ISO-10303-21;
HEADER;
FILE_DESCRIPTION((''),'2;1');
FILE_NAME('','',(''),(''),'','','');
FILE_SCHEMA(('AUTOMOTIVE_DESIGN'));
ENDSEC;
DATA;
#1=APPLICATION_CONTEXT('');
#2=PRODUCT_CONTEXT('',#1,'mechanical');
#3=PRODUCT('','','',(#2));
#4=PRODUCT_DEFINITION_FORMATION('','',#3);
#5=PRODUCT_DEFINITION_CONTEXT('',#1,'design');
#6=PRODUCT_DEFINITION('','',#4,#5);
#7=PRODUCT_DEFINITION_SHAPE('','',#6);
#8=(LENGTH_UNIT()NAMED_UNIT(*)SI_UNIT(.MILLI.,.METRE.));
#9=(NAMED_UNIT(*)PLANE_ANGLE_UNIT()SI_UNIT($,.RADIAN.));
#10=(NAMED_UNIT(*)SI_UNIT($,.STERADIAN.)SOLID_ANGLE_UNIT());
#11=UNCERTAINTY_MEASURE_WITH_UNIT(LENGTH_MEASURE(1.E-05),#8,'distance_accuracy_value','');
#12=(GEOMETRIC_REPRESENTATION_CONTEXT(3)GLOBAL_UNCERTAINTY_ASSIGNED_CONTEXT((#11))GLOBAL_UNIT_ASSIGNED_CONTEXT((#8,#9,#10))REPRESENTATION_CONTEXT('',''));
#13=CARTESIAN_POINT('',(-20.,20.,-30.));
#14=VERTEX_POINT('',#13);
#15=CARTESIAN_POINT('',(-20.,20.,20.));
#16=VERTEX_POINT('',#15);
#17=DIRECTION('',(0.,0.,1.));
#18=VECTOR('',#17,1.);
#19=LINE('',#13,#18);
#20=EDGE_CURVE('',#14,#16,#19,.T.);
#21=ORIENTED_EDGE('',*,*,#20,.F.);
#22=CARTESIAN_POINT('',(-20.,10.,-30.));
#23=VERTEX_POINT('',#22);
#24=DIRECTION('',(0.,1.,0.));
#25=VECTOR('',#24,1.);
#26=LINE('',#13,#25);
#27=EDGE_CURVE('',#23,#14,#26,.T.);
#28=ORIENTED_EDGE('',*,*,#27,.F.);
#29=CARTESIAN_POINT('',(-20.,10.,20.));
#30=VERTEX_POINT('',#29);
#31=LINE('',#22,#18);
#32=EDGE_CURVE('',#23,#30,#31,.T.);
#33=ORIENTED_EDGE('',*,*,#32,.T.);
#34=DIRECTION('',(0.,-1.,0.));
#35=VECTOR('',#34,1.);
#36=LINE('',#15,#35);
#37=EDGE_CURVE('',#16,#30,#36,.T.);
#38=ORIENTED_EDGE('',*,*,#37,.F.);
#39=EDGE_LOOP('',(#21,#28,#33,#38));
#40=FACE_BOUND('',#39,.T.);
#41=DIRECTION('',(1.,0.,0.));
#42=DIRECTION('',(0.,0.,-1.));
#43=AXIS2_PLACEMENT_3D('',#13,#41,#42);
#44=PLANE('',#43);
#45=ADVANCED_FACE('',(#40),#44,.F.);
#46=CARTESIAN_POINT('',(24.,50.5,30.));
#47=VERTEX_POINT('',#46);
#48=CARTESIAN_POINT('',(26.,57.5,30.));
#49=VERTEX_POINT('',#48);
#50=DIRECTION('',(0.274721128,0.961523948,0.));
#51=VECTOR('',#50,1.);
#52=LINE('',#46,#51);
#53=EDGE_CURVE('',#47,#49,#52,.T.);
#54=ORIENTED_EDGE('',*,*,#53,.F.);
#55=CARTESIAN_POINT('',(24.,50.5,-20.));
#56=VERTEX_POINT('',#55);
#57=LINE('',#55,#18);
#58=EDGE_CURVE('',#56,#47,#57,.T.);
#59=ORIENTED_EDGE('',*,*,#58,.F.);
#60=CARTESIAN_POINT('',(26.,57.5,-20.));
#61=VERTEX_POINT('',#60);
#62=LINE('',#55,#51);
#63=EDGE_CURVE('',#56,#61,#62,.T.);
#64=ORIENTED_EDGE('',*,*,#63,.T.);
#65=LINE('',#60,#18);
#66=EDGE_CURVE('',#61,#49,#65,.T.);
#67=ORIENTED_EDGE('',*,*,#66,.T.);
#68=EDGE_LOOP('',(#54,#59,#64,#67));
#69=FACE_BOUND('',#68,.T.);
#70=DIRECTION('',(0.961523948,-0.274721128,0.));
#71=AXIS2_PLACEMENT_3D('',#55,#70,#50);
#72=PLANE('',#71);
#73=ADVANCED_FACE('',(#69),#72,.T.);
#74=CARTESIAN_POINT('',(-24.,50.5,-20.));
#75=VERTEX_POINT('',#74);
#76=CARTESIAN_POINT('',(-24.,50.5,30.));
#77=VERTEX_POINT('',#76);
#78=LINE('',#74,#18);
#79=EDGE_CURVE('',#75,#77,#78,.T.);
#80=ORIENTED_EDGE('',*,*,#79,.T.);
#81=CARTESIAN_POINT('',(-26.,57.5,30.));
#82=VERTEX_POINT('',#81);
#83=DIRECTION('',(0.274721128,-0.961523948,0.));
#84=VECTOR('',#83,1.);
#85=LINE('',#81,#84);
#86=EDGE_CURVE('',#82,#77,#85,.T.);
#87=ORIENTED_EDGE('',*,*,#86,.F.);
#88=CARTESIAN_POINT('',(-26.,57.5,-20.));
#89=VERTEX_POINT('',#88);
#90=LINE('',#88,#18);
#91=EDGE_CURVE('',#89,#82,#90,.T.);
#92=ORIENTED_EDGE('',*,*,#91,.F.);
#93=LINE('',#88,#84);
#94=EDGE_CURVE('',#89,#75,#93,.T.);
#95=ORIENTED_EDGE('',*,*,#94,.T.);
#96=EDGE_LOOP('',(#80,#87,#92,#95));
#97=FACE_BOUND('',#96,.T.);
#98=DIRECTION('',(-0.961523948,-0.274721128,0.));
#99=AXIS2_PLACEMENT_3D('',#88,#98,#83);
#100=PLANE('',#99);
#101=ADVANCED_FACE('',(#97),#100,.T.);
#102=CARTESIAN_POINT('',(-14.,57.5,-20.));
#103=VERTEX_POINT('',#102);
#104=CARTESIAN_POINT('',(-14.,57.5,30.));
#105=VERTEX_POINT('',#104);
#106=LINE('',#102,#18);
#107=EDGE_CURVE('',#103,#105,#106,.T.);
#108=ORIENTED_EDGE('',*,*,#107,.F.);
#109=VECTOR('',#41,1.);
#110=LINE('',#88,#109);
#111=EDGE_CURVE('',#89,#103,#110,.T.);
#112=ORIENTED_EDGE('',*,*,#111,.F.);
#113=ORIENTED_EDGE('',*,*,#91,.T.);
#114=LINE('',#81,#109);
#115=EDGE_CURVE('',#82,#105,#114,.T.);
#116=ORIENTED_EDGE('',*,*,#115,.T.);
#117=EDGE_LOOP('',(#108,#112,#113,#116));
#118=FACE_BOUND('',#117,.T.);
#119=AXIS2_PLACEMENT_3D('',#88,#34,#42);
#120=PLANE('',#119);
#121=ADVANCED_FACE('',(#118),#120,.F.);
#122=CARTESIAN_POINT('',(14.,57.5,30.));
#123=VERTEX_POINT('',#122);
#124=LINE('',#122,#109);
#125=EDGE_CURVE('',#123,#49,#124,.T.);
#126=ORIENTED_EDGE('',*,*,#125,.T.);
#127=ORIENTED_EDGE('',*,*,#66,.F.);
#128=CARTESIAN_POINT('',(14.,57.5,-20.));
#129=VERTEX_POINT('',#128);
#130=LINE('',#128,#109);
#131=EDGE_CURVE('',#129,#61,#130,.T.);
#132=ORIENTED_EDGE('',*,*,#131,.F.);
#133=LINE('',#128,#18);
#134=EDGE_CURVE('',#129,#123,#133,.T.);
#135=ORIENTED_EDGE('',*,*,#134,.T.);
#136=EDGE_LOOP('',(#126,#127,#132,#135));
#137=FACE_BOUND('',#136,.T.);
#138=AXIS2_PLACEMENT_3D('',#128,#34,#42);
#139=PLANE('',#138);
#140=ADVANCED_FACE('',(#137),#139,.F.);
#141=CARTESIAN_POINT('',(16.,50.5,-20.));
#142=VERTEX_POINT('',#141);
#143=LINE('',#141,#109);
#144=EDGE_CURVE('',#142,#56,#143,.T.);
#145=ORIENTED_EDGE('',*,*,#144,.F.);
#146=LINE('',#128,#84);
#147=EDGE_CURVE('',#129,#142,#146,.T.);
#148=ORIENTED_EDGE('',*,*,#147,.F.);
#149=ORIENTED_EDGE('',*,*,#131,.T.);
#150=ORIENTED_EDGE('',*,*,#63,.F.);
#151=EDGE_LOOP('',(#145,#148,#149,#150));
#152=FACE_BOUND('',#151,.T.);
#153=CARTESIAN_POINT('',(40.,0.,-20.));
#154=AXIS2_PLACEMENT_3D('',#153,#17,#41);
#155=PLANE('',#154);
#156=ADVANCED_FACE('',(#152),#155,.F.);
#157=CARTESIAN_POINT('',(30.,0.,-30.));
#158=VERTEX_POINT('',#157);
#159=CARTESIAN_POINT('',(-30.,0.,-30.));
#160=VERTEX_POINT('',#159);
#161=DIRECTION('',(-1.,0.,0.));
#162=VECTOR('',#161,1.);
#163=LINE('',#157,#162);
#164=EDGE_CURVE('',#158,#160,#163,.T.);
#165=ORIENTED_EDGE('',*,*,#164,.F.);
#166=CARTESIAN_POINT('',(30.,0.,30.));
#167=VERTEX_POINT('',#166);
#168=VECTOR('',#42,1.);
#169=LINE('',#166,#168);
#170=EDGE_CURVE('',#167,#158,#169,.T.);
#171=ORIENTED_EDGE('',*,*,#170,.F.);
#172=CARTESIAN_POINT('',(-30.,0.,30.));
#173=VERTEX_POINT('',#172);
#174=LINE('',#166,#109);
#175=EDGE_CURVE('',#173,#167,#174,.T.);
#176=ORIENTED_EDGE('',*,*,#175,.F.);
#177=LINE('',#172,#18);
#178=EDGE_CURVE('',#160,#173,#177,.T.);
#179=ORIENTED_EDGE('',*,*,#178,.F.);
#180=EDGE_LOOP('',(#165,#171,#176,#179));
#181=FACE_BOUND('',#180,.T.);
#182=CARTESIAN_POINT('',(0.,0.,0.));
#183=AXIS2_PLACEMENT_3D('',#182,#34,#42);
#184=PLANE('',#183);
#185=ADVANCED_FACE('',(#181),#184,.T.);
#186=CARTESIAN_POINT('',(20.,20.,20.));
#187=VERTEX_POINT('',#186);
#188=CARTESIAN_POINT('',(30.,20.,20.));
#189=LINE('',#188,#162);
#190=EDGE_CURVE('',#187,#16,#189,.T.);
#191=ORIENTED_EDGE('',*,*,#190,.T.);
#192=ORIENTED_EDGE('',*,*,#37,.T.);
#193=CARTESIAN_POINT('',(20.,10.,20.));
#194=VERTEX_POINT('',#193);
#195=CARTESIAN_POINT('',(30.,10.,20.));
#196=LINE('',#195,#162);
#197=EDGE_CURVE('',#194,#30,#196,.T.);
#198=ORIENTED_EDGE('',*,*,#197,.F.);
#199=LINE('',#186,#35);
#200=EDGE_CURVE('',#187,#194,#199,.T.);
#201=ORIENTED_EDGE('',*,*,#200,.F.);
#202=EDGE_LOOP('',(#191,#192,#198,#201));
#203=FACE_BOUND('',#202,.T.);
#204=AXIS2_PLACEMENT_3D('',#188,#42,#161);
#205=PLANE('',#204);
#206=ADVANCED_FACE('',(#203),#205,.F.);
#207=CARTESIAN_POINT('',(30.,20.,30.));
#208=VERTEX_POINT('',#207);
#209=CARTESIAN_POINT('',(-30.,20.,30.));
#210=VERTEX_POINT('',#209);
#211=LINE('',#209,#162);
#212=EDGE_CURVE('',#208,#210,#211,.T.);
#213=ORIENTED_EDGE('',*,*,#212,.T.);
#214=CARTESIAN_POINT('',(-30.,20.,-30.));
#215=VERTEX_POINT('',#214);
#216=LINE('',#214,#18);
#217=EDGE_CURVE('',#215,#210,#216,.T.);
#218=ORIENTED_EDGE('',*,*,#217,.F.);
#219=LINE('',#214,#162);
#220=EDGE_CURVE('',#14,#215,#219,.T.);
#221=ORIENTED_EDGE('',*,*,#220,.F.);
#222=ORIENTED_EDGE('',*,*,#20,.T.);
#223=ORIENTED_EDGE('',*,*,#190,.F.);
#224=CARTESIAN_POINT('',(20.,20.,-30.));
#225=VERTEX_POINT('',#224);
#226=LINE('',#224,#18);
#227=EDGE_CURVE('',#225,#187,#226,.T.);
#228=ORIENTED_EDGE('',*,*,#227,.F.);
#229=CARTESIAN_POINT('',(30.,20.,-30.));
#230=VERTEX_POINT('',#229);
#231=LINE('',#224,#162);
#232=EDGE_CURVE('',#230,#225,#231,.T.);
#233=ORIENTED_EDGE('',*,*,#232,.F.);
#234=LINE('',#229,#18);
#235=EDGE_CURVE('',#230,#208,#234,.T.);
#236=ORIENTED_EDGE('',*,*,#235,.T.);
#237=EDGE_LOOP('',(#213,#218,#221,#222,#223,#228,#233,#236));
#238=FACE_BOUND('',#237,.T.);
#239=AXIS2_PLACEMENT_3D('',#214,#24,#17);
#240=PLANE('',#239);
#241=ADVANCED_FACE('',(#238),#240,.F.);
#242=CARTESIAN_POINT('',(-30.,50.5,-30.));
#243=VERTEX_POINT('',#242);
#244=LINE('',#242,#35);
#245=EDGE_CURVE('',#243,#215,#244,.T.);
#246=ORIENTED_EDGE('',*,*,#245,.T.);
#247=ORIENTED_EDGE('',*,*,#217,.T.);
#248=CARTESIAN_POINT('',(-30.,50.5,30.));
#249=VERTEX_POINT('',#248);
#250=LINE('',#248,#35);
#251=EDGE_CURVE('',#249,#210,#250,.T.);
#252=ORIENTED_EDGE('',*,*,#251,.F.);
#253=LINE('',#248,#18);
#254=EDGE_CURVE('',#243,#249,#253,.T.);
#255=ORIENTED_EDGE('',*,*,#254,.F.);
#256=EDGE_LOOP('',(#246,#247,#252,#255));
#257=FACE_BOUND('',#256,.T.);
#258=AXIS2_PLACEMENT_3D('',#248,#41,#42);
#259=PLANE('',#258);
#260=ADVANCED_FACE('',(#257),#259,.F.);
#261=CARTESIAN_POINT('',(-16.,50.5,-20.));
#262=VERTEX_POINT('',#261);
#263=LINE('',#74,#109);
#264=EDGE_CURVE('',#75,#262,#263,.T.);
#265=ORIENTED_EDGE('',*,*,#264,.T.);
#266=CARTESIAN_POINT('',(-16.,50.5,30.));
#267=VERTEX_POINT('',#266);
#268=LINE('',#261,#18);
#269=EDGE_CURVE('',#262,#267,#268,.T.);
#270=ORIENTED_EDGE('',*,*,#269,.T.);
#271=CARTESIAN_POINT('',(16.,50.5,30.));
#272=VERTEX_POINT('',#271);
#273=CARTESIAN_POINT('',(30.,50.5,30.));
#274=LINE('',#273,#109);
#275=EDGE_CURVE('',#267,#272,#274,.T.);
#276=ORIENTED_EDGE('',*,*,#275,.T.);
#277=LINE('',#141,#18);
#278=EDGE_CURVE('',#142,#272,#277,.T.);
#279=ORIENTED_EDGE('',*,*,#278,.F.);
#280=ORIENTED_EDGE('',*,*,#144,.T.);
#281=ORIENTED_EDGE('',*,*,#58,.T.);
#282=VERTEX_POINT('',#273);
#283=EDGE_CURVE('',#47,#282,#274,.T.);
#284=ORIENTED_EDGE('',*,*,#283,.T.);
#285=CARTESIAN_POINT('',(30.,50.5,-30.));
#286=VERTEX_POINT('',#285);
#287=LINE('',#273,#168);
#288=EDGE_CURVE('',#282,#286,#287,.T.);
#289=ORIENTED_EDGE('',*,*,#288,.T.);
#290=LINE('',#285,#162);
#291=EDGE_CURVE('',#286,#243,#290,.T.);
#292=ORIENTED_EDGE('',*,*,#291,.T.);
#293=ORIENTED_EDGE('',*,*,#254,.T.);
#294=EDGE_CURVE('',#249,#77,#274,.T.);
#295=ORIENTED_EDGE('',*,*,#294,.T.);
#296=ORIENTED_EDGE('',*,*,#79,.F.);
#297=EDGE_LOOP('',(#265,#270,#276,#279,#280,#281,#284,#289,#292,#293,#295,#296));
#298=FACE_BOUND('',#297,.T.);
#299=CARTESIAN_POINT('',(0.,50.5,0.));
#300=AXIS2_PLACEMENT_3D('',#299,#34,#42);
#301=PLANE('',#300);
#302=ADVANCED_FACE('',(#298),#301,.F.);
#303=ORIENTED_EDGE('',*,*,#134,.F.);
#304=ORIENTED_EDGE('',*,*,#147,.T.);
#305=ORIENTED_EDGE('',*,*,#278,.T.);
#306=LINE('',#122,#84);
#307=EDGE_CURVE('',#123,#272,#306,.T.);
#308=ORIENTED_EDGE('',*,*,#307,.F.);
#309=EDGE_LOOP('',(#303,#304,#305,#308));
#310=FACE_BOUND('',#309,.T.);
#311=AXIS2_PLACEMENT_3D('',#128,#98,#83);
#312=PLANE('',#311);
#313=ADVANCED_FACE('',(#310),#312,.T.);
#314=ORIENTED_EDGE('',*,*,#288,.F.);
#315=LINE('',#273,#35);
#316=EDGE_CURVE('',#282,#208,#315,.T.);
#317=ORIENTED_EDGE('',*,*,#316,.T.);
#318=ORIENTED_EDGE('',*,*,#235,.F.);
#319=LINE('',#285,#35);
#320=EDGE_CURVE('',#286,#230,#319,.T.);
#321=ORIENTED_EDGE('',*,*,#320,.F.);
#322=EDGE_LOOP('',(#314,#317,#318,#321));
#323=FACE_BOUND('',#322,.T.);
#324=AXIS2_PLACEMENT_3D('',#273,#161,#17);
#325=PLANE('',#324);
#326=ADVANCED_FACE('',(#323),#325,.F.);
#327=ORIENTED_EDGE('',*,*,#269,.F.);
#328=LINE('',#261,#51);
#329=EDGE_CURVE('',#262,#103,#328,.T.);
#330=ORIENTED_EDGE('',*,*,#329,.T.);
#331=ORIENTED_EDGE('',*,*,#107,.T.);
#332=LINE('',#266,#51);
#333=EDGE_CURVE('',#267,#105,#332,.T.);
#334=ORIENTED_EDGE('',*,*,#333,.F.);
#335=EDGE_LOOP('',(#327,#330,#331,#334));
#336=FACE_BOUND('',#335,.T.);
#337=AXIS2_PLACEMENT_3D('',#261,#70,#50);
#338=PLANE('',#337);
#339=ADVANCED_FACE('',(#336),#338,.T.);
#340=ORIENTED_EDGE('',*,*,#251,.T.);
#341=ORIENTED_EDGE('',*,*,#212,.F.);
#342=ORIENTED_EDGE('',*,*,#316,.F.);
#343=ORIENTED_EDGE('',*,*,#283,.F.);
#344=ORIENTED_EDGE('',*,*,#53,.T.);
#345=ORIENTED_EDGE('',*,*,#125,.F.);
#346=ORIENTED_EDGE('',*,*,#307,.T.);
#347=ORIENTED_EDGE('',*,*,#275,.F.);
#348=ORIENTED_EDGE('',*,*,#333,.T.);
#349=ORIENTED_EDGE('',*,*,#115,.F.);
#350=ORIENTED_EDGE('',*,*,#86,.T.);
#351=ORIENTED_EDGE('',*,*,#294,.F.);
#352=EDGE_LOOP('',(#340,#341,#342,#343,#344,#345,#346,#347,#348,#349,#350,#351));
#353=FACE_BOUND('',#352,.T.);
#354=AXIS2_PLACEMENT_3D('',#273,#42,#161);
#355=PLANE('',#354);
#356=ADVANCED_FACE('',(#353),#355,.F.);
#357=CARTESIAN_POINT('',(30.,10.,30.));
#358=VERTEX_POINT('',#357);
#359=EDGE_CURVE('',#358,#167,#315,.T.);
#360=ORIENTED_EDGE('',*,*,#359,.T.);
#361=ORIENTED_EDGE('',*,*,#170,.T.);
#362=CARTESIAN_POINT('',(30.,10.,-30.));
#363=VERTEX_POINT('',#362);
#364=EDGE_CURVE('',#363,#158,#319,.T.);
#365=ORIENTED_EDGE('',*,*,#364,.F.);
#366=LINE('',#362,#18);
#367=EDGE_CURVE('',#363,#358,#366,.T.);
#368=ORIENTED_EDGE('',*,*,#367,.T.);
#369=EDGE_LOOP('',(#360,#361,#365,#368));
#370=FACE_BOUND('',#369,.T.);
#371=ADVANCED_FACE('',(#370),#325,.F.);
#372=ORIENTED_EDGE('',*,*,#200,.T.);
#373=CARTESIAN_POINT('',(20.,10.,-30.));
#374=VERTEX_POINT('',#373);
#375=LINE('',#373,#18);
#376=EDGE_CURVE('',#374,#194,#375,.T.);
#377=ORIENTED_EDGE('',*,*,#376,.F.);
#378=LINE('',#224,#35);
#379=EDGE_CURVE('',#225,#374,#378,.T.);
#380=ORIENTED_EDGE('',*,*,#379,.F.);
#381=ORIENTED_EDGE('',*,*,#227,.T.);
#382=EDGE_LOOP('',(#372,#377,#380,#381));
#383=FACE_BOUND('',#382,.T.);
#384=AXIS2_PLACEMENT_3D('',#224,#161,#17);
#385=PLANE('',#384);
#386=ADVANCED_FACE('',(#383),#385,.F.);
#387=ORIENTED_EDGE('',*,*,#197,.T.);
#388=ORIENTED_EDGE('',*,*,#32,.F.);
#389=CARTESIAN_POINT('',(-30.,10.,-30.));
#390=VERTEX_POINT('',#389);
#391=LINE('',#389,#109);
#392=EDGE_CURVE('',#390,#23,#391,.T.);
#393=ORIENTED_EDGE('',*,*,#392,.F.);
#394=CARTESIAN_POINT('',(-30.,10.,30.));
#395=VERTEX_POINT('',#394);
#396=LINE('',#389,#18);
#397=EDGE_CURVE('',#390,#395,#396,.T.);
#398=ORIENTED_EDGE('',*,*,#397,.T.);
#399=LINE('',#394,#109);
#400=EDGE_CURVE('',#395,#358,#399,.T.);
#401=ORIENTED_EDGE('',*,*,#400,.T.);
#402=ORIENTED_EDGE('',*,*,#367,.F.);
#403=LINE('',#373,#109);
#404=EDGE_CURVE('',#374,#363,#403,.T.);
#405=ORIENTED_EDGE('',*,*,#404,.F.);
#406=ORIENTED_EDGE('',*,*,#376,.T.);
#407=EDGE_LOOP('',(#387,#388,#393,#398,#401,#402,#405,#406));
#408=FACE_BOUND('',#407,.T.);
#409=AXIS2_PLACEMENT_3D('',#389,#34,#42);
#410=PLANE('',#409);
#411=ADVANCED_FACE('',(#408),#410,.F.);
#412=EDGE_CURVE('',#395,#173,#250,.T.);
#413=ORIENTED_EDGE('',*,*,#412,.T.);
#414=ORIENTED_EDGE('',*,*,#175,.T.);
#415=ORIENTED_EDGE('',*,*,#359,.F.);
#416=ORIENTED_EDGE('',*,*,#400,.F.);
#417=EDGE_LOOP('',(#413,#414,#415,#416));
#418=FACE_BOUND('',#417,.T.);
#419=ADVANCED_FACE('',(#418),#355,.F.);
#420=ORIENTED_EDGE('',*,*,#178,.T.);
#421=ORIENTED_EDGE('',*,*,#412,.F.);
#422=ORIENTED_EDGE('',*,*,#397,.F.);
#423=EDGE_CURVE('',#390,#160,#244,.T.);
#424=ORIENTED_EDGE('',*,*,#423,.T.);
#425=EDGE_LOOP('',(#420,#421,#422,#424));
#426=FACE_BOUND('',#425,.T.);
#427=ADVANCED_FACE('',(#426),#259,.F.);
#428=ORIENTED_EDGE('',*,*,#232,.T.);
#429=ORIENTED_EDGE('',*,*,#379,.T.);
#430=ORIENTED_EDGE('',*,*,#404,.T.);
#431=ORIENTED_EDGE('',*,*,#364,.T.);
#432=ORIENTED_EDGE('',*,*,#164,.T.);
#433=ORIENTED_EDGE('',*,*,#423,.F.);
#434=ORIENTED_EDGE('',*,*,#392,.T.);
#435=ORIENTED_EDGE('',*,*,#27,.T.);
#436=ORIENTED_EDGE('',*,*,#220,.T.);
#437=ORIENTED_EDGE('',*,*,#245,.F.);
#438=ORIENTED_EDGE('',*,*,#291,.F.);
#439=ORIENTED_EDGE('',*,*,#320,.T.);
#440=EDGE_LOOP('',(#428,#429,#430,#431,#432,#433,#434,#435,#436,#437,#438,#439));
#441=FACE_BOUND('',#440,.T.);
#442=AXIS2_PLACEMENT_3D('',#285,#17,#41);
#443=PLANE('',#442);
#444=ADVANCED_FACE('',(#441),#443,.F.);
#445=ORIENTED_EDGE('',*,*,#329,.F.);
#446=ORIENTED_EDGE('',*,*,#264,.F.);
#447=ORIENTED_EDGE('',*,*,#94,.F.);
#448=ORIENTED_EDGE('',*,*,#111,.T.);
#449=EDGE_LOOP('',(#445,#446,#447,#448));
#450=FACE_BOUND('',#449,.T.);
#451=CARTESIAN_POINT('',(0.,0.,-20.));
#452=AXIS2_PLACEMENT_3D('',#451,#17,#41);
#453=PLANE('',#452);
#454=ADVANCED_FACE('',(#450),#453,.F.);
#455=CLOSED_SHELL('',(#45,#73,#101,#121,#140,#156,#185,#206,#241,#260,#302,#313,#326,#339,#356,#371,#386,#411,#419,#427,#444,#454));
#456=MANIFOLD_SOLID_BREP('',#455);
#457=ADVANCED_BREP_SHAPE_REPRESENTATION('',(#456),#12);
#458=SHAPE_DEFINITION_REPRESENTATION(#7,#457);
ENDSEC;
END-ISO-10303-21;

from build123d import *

# Parameters (mm, degrees)
CROQUIS2_W              = 60
CROQUIS2_H              = 60
SALIENTE_EXTRUIR1_DEPTH = 50.5
SALIENTE_EXTRUIR3_DEPTH = 50
MATRIZL2_COUNT          = 2
MATRIZL2_PITCH          = 40
CROQUIS5_W              = 10
CROQUIS5_H              = 10
CORTAR_EXTRUIR1_DEPTH   = 89.352985235
MATRIZL3_COUNT          = 2
MATRIZL3_PITCH          = 50
MATRIZC1_COUNT          = 2
MATRIZC1_ANGLE          = 90


with BuildPart() as part:
    # Croquis2 → Saliente-Extruir1 (new body)
    with BuildSketch(Plane(origin=(0, 0, 0), x_dir=(1, 0, 0), z_dir=(0, 1, 0))):
        Rectangle(CROQUIS2_W, CROQUIS2_H)
    extrude(amount=SALIENTE_EXTRUIR1_DEPTH)

    # Croquis4 → Saliente-Extruir3 (add)
    with BuildSketch(Plane.XY.offset(30)):
        Polygon((-26, 57.5), (-14, 57.5), (-16, 50.5), (-24, 50.5), align=None)
    saliente_extruir3 = extrude(amount=-SALIENTE_EXTRUIR3_DEPTH)

    # MatrizL2: Saliente-Extruir3 ×2
    with Locations(*[(i * MATRIZL2_PITCH, 0, 0) for i in range(1, MATRIZL2_COUNT)]):
        add(saliente_extruir3)

    # Croquis5 → Cortar-Extruir1 (cut, through all)
    with BuildSketch(Plane.XY.offset(30)):
        with Locations((-25, 15)):
            Rectangle(CROQUIS5_W, CROQUIS5_H)
    cortar_extruir1 = extrude(amount=-CORTAR_EXTRUIR1_DEPTH, mode=Mode.SUBTRACT)

    # MatrizL3: Cortar-Extruir1 ×2
    with Locations(*[(i * MATRIZL3_PITCH, 0, 0) for i in range(1, MATRIZL3_COUNT)]):
        add(cortar_extruir1, mode=Mode.SUBTRACT)

    # MatrizC1: Cortar-Extruir1 ×2 about axis
    matrizc1_axis = Axis((0, 0, 0), (0, 1, 0))
    for i in range(1, MATRIZC1_COUNT):
        add(cortar_extruir1.rotate(matrizc1_axis, i * MATRIZC1_ANGLE / (MATRIZC1_COUNT - 1)), mode=Mode.SUBTRACT)


solid = part.part
